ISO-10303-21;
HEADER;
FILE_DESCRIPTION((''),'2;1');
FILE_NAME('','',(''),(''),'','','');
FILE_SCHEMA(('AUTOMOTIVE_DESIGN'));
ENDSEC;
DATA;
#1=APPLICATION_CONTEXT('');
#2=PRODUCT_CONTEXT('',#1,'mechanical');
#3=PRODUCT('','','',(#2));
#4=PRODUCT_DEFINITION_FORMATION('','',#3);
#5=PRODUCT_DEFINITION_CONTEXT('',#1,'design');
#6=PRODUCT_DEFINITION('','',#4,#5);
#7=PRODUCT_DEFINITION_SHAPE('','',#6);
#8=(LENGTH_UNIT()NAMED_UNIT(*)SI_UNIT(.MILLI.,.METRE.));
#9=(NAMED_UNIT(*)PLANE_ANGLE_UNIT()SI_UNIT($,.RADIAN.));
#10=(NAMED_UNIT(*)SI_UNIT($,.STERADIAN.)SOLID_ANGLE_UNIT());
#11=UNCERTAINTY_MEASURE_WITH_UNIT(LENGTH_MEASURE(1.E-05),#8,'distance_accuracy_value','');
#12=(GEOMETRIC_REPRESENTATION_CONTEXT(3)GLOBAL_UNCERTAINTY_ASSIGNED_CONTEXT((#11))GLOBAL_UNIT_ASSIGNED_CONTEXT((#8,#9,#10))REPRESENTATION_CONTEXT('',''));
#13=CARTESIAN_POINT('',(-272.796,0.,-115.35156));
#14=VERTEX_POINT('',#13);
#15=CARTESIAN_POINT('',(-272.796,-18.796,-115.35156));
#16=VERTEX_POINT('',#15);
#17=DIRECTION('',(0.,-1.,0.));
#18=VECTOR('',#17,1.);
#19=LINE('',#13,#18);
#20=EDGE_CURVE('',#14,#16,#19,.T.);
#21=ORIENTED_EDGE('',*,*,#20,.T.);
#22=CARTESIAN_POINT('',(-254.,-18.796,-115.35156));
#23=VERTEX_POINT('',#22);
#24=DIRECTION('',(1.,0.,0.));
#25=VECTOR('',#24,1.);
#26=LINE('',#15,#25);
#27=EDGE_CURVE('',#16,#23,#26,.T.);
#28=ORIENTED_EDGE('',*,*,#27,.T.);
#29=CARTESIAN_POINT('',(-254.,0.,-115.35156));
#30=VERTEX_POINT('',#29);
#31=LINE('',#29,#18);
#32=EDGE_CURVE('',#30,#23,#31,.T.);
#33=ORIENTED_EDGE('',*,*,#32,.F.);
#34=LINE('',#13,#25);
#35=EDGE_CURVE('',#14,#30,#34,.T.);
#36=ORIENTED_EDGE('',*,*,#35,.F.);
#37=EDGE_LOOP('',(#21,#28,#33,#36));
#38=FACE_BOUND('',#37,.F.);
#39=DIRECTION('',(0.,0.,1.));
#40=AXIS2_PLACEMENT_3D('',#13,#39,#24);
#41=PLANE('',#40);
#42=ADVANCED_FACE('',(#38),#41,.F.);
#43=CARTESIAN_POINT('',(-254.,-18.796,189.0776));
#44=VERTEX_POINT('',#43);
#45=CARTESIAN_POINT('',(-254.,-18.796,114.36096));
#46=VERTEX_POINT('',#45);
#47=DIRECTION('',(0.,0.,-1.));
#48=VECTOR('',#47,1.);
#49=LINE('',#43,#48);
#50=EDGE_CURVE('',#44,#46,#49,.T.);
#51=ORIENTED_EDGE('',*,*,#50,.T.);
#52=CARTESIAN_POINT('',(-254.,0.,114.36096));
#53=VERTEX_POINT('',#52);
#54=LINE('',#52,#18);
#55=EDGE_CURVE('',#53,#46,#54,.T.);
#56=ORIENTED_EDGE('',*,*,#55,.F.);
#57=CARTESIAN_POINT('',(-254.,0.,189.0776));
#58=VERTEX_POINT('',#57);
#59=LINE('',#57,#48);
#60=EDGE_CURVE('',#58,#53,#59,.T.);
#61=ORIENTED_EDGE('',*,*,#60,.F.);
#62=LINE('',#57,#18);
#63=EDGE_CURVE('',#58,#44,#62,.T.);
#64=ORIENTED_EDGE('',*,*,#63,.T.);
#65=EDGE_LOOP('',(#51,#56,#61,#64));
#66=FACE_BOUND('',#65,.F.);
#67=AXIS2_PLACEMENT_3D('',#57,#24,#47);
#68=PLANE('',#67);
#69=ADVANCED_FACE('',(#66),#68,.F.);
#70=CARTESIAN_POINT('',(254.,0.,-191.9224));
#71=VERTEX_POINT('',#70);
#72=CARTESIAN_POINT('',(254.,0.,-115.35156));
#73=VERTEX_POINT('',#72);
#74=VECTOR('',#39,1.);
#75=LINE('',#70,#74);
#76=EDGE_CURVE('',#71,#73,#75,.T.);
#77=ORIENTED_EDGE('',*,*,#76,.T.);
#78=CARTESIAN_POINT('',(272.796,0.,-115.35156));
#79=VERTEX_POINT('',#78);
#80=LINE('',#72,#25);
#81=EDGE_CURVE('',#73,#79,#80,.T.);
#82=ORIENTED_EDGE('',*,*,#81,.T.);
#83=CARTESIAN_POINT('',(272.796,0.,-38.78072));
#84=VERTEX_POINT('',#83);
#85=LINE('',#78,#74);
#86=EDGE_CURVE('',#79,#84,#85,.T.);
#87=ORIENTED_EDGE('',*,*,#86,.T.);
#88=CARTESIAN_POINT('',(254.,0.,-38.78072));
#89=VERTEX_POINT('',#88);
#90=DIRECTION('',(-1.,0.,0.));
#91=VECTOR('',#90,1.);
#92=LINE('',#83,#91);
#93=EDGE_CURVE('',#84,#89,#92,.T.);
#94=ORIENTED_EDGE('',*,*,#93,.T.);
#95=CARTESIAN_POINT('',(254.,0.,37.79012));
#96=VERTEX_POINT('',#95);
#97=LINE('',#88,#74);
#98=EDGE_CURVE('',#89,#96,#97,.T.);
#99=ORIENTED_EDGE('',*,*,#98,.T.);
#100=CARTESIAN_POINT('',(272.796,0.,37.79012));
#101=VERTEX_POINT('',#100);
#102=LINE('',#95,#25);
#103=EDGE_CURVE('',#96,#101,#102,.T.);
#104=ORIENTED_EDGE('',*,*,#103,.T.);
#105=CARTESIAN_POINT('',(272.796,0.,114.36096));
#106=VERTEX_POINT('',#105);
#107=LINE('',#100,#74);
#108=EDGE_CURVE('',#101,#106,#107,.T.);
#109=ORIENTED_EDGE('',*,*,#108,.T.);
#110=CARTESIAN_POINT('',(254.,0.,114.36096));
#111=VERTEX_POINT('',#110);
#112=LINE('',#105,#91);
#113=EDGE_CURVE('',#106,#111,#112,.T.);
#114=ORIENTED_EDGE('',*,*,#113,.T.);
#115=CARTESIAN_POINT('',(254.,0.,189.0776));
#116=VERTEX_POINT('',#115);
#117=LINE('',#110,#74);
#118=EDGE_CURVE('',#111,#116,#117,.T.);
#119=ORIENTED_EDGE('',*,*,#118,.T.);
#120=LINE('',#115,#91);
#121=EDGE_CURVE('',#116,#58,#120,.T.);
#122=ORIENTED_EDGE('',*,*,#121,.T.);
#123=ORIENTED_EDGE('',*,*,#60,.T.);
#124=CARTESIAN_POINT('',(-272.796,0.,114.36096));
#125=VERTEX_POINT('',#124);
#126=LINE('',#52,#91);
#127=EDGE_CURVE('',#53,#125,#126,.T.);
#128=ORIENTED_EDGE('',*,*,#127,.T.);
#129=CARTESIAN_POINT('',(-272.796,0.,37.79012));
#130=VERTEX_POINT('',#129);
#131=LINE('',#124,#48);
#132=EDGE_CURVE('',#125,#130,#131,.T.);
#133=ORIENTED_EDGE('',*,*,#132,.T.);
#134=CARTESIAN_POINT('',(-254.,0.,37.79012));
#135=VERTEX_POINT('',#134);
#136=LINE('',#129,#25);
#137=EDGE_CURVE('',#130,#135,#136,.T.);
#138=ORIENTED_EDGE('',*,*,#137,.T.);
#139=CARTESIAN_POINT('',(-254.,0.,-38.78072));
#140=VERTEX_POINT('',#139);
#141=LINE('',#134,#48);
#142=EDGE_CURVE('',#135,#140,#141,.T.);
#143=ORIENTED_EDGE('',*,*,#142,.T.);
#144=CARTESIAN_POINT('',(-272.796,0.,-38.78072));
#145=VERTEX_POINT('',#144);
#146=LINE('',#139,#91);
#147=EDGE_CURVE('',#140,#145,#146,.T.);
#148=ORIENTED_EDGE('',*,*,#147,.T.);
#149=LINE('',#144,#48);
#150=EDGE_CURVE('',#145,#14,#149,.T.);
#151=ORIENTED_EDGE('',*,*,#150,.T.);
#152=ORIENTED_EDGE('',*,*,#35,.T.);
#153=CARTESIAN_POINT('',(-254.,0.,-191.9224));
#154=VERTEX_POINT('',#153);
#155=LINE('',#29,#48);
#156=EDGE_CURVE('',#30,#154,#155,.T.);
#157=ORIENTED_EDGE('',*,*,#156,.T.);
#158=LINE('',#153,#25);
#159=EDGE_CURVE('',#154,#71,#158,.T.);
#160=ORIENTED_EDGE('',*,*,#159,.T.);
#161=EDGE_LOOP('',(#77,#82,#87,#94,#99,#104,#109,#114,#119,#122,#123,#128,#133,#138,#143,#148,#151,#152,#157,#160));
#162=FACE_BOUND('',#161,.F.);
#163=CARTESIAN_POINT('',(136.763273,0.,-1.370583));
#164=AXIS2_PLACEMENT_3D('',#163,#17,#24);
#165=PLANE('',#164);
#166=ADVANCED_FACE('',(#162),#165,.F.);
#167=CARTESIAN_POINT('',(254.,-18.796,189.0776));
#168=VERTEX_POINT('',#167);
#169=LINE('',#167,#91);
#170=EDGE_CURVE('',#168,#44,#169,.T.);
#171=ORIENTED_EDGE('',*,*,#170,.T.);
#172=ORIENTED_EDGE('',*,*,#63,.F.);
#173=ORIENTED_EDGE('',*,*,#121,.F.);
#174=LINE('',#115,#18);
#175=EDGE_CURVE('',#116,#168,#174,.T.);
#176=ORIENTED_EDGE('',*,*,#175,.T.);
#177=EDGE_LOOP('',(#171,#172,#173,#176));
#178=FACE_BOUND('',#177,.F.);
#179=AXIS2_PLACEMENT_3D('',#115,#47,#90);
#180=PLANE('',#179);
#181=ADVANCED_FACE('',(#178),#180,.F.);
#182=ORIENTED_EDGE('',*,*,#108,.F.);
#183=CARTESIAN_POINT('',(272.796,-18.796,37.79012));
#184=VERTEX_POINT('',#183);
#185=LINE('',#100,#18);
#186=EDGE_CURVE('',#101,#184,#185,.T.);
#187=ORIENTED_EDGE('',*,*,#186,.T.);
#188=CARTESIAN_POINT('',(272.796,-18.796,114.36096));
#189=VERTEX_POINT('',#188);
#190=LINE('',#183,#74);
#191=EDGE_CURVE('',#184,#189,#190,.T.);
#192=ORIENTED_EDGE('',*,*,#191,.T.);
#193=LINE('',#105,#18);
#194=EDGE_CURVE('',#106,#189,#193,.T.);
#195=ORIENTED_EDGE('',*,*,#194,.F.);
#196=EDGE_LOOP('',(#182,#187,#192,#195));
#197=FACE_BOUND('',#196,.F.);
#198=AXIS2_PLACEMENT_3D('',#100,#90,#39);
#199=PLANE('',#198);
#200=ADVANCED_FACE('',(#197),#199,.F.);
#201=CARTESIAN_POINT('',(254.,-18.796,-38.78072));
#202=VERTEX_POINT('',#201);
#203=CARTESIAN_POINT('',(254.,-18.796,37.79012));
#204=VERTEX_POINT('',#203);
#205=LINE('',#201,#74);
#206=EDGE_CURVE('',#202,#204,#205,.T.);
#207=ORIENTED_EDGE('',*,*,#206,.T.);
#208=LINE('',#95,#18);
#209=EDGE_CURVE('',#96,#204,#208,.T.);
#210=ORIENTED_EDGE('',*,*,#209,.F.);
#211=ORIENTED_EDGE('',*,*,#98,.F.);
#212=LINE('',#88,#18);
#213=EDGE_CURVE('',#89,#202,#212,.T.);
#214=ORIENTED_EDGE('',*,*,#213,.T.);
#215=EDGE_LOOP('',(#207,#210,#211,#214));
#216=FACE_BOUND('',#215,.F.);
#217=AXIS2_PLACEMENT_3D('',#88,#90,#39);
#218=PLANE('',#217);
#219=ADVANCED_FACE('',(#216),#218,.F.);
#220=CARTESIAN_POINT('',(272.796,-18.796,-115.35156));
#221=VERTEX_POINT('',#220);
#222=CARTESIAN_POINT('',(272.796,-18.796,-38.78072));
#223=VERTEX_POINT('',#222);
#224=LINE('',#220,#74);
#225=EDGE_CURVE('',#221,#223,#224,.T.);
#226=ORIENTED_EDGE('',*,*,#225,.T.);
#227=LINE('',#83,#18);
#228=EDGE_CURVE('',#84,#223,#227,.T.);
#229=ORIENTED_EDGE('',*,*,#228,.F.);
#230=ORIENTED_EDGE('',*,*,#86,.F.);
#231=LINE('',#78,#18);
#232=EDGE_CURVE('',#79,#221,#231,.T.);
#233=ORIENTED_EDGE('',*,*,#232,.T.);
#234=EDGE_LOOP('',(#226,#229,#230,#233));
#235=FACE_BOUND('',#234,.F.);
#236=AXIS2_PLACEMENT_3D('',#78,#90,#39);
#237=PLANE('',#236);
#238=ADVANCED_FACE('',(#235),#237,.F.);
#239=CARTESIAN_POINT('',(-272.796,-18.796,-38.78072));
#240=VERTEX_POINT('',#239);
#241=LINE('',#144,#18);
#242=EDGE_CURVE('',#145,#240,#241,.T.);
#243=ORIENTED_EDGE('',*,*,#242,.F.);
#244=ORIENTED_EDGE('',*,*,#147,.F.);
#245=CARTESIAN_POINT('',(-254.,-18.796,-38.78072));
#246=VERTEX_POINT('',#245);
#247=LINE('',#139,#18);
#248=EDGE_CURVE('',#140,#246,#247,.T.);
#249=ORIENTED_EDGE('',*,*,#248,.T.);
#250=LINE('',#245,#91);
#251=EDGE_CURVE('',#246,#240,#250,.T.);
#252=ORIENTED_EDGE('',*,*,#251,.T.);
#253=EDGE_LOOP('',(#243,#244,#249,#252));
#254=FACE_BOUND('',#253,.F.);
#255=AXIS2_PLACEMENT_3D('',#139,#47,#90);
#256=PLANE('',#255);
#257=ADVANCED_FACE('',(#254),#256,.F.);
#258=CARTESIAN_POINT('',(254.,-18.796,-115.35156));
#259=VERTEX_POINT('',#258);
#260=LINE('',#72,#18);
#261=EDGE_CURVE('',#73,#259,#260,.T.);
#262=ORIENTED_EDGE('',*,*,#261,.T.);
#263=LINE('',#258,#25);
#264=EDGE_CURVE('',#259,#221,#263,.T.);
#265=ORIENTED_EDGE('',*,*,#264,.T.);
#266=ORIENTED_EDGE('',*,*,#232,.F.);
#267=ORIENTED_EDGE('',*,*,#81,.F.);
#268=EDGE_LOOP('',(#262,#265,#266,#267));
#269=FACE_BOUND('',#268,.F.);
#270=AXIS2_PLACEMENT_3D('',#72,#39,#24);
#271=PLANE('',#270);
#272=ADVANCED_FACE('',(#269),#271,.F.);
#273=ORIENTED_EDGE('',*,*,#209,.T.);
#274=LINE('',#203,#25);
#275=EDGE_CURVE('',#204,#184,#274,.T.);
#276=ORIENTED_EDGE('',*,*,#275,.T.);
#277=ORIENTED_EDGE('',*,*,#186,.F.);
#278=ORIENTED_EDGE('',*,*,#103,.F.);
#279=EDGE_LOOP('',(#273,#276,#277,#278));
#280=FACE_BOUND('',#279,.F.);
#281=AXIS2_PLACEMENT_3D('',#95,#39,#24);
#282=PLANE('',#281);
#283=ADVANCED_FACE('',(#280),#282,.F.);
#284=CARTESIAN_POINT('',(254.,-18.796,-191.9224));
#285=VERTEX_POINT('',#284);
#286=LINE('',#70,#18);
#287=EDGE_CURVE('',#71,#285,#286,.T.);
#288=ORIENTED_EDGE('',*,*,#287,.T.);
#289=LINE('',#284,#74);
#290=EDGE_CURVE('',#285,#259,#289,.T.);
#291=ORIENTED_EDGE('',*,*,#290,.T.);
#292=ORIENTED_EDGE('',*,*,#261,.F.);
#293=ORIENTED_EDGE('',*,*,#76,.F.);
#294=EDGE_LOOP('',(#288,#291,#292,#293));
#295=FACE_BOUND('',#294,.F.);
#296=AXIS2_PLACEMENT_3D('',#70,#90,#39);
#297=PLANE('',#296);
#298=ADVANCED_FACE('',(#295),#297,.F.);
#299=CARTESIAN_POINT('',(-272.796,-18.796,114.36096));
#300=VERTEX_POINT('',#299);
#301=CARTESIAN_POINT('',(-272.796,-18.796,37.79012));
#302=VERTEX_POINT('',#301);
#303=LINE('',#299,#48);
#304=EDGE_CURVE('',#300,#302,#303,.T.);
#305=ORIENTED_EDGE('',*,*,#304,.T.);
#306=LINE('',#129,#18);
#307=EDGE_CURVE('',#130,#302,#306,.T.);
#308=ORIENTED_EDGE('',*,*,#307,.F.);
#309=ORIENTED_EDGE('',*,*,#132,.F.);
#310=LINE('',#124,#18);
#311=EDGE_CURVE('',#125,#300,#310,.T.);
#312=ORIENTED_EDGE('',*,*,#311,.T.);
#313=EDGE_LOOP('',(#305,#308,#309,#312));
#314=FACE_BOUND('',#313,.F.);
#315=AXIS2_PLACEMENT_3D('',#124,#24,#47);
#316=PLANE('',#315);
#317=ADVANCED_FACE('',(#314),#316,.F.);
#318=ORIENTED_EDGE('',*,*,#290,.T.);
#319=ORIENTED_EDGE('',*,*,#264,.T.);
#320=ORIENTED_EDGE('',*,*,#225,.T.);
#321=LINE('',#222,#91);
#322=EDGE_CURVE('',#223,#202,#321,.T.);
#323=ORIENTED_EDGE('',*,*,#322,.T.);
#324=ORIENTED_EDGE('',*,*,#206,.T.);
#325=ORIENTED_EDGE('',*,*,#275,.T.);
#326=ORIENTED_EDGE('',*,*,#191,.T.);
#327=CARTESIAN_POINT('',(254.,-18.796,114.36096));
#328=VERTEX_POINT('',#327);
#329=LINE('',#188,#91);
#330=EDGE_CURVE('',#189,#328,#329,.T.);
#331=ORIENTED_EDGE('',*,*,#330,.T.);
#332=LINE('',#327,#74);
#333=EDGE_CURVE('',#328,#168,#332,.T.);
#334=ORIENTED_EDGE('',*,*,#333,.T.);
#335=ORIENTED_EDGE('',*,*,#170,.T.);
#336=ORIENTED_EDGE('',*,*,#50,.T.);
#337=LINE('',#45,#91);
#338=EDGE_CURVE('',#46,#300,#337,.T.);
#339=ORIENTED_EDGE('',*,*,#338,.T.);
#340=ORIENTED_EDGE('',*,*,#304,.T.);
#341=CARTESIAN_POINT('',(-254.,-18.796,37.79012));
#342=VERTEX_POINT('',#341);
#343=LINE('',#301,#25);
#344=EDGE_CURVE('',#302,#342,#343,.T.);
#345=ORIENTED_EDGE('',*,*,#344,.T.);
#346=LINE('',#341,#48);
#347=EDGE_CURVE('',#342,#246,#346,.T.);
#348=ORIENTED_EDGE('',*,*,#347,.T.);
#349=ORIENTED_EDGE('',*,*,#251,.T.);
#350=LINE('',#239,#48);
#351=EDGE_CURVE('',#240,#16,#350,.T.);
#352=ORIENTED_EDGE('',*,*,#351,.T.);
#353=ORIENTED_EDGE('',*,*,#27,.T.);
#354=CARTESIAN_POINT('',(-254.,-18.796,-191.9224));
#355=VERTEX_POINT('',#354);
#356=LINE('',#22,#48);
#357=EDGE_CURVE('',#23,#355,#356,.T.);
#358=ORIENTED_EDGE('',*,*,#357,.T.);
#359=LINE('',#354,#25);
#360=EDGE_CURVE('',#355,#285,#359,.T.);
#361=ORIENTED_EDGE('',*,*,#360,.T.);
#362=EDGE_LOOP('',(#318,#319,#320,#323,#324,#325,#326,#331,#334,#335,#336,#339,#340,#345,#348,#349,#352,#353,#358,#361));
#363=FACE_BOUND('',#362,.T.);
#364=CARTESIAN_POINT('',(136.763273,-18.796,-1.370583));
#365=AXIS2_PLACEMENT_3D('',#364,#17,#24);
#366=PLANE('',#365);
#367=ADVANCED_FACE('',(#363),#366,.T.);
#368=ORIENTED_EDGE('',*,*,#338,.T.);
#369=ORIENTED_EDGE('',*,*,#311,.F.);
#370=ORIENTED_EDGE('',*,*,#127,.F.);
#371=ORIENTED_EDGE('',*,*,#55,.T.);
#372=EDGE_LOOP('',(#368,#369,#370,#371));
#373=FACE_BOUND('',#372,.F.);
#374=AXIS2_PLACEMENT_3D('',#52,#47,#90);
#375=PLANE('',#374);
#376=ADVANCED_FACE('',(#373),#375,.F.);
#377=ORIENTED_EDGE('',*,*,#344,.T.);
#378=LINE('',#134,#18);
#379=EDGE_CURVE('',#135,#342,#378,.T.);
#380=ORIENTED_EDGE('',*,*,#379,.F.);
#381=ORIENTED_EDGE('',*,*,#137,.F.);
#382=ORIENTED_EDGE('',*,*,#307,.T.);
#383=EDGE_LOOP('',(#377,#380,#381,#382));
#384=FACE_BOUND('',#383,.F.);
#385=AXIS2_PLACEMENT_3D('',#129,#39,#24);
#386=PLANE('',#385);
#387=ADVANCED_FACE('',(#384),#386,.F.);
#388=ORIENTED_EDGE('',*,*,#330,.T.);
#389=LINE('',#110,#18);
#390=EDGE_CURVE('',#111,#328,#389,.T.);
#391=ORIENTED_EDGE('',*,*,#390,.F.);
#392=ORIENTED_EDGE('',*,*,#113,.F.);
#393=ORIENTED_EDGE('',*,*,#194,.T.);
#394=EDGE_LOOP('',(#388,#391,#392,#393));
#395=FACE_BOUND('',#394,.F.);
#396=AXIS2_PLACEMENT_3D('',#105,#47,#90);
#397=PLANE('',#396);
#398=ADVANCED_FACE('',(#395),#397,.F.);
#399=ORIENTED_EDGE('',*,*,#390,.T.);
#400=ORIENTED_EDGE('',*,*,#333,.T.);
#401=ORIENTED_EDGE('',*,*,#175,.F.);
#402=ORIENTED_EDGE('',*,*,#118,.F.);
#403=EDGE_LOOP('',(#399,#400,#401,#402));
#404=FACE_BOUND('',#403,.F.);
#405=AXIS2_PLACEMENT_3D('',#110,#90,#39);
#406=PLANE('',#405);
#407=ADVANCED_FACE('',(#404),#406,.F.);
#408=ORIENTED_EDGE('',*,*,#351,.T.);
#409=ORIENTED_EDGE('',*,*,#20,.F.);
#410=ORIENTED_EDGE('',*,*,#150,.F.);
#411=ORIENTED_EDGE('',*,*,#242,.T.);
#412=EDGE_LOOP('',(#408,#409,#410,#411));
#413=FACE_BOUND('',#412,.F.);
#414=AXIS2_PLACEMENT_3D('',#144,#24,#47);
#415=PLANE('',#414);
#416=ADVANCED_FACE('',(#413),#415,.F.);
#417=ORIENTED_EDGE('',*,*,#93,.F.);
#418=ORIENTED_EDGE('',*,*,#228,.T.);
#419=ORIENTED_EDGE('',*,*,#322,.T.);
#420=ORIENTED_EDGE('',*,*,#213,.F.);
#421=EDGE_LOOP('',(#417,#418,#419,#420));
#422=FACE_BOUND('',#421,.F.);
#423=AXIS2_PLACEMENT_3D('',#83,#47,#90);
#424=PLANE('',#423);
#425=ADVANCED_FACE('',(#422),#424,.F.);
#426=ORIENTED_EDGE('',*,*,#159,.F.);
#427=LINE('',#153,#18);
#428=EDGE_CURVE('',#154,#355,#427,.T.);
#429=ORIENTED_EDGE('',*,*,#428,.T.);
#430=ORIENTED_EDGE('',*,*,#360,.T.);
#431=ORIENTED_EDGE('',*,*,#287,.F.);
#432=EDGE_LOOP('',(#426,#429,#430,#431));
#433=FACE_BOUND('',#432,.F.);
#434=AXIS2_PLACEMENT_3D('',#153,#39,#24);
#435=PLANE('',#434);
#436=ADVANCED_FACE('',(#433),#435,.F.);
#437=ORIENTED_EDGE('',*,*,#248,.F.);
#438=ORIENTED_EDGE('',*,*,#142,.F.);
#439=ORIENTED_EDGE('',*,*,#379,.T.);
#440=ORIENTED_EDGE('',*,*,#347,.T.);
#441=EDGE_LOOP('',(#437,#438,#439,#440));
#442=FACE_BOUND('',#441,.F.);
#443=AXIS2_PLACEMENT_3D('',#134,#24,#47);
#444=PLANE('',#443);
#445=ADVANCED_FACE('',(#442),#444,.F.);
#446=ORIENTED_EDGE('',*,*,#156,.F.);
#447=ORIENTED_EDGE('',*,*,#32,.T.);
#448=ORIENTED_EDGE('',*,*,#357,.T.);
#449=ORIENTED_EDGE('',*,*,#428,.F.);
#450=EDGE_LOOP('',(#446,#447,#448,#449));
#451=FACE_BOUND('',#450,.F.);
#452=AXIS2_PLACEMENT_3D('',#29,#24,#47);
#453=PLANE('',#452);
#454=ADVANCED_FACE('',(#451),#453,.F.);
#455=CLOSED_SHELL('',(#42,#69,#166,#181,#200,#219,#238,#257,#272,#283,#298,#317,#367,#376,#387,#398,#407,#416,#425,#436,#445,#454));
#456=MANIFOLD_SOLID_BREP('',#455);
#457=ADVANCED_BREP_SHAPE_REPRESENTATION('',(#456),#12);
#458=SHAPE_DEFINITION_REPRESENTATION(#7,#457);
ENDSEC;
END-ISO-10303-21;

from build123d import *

# Parameters (mm, degrees)
F1_DEPTH = 18.796


with BuildPart() as f1:
    # F0 (on Front) → F1 (new body)
    with BuildSketch(Plane.XZ):
        Polygon((0, -191.9224), (254, -191.9224), (254, -115.35156), (272.796, -115.35156), (272.796, -38.78072), (254, -38.78072), (254, 37.79012), (272.796, 37.79012), (272.796, 114.36096), (254, 114.36096), (254, 189.0776), (0, 189.0776), align=None)
        Polygon((-254, -191.9224), (0, -191.9224), (0, 189.0776), (-254, 189.0776), (-254, 114.36096), (-272.796, 114.36096), (-272.796, 37.79012), (-254, 37.79012), (-254, -38.78072), (-272.796, -38.78072), (-272.796, -115.35156), (-254, -115.35156), align=None)
    extrude(amount=F1_DEPTH)


solid = f1.part
